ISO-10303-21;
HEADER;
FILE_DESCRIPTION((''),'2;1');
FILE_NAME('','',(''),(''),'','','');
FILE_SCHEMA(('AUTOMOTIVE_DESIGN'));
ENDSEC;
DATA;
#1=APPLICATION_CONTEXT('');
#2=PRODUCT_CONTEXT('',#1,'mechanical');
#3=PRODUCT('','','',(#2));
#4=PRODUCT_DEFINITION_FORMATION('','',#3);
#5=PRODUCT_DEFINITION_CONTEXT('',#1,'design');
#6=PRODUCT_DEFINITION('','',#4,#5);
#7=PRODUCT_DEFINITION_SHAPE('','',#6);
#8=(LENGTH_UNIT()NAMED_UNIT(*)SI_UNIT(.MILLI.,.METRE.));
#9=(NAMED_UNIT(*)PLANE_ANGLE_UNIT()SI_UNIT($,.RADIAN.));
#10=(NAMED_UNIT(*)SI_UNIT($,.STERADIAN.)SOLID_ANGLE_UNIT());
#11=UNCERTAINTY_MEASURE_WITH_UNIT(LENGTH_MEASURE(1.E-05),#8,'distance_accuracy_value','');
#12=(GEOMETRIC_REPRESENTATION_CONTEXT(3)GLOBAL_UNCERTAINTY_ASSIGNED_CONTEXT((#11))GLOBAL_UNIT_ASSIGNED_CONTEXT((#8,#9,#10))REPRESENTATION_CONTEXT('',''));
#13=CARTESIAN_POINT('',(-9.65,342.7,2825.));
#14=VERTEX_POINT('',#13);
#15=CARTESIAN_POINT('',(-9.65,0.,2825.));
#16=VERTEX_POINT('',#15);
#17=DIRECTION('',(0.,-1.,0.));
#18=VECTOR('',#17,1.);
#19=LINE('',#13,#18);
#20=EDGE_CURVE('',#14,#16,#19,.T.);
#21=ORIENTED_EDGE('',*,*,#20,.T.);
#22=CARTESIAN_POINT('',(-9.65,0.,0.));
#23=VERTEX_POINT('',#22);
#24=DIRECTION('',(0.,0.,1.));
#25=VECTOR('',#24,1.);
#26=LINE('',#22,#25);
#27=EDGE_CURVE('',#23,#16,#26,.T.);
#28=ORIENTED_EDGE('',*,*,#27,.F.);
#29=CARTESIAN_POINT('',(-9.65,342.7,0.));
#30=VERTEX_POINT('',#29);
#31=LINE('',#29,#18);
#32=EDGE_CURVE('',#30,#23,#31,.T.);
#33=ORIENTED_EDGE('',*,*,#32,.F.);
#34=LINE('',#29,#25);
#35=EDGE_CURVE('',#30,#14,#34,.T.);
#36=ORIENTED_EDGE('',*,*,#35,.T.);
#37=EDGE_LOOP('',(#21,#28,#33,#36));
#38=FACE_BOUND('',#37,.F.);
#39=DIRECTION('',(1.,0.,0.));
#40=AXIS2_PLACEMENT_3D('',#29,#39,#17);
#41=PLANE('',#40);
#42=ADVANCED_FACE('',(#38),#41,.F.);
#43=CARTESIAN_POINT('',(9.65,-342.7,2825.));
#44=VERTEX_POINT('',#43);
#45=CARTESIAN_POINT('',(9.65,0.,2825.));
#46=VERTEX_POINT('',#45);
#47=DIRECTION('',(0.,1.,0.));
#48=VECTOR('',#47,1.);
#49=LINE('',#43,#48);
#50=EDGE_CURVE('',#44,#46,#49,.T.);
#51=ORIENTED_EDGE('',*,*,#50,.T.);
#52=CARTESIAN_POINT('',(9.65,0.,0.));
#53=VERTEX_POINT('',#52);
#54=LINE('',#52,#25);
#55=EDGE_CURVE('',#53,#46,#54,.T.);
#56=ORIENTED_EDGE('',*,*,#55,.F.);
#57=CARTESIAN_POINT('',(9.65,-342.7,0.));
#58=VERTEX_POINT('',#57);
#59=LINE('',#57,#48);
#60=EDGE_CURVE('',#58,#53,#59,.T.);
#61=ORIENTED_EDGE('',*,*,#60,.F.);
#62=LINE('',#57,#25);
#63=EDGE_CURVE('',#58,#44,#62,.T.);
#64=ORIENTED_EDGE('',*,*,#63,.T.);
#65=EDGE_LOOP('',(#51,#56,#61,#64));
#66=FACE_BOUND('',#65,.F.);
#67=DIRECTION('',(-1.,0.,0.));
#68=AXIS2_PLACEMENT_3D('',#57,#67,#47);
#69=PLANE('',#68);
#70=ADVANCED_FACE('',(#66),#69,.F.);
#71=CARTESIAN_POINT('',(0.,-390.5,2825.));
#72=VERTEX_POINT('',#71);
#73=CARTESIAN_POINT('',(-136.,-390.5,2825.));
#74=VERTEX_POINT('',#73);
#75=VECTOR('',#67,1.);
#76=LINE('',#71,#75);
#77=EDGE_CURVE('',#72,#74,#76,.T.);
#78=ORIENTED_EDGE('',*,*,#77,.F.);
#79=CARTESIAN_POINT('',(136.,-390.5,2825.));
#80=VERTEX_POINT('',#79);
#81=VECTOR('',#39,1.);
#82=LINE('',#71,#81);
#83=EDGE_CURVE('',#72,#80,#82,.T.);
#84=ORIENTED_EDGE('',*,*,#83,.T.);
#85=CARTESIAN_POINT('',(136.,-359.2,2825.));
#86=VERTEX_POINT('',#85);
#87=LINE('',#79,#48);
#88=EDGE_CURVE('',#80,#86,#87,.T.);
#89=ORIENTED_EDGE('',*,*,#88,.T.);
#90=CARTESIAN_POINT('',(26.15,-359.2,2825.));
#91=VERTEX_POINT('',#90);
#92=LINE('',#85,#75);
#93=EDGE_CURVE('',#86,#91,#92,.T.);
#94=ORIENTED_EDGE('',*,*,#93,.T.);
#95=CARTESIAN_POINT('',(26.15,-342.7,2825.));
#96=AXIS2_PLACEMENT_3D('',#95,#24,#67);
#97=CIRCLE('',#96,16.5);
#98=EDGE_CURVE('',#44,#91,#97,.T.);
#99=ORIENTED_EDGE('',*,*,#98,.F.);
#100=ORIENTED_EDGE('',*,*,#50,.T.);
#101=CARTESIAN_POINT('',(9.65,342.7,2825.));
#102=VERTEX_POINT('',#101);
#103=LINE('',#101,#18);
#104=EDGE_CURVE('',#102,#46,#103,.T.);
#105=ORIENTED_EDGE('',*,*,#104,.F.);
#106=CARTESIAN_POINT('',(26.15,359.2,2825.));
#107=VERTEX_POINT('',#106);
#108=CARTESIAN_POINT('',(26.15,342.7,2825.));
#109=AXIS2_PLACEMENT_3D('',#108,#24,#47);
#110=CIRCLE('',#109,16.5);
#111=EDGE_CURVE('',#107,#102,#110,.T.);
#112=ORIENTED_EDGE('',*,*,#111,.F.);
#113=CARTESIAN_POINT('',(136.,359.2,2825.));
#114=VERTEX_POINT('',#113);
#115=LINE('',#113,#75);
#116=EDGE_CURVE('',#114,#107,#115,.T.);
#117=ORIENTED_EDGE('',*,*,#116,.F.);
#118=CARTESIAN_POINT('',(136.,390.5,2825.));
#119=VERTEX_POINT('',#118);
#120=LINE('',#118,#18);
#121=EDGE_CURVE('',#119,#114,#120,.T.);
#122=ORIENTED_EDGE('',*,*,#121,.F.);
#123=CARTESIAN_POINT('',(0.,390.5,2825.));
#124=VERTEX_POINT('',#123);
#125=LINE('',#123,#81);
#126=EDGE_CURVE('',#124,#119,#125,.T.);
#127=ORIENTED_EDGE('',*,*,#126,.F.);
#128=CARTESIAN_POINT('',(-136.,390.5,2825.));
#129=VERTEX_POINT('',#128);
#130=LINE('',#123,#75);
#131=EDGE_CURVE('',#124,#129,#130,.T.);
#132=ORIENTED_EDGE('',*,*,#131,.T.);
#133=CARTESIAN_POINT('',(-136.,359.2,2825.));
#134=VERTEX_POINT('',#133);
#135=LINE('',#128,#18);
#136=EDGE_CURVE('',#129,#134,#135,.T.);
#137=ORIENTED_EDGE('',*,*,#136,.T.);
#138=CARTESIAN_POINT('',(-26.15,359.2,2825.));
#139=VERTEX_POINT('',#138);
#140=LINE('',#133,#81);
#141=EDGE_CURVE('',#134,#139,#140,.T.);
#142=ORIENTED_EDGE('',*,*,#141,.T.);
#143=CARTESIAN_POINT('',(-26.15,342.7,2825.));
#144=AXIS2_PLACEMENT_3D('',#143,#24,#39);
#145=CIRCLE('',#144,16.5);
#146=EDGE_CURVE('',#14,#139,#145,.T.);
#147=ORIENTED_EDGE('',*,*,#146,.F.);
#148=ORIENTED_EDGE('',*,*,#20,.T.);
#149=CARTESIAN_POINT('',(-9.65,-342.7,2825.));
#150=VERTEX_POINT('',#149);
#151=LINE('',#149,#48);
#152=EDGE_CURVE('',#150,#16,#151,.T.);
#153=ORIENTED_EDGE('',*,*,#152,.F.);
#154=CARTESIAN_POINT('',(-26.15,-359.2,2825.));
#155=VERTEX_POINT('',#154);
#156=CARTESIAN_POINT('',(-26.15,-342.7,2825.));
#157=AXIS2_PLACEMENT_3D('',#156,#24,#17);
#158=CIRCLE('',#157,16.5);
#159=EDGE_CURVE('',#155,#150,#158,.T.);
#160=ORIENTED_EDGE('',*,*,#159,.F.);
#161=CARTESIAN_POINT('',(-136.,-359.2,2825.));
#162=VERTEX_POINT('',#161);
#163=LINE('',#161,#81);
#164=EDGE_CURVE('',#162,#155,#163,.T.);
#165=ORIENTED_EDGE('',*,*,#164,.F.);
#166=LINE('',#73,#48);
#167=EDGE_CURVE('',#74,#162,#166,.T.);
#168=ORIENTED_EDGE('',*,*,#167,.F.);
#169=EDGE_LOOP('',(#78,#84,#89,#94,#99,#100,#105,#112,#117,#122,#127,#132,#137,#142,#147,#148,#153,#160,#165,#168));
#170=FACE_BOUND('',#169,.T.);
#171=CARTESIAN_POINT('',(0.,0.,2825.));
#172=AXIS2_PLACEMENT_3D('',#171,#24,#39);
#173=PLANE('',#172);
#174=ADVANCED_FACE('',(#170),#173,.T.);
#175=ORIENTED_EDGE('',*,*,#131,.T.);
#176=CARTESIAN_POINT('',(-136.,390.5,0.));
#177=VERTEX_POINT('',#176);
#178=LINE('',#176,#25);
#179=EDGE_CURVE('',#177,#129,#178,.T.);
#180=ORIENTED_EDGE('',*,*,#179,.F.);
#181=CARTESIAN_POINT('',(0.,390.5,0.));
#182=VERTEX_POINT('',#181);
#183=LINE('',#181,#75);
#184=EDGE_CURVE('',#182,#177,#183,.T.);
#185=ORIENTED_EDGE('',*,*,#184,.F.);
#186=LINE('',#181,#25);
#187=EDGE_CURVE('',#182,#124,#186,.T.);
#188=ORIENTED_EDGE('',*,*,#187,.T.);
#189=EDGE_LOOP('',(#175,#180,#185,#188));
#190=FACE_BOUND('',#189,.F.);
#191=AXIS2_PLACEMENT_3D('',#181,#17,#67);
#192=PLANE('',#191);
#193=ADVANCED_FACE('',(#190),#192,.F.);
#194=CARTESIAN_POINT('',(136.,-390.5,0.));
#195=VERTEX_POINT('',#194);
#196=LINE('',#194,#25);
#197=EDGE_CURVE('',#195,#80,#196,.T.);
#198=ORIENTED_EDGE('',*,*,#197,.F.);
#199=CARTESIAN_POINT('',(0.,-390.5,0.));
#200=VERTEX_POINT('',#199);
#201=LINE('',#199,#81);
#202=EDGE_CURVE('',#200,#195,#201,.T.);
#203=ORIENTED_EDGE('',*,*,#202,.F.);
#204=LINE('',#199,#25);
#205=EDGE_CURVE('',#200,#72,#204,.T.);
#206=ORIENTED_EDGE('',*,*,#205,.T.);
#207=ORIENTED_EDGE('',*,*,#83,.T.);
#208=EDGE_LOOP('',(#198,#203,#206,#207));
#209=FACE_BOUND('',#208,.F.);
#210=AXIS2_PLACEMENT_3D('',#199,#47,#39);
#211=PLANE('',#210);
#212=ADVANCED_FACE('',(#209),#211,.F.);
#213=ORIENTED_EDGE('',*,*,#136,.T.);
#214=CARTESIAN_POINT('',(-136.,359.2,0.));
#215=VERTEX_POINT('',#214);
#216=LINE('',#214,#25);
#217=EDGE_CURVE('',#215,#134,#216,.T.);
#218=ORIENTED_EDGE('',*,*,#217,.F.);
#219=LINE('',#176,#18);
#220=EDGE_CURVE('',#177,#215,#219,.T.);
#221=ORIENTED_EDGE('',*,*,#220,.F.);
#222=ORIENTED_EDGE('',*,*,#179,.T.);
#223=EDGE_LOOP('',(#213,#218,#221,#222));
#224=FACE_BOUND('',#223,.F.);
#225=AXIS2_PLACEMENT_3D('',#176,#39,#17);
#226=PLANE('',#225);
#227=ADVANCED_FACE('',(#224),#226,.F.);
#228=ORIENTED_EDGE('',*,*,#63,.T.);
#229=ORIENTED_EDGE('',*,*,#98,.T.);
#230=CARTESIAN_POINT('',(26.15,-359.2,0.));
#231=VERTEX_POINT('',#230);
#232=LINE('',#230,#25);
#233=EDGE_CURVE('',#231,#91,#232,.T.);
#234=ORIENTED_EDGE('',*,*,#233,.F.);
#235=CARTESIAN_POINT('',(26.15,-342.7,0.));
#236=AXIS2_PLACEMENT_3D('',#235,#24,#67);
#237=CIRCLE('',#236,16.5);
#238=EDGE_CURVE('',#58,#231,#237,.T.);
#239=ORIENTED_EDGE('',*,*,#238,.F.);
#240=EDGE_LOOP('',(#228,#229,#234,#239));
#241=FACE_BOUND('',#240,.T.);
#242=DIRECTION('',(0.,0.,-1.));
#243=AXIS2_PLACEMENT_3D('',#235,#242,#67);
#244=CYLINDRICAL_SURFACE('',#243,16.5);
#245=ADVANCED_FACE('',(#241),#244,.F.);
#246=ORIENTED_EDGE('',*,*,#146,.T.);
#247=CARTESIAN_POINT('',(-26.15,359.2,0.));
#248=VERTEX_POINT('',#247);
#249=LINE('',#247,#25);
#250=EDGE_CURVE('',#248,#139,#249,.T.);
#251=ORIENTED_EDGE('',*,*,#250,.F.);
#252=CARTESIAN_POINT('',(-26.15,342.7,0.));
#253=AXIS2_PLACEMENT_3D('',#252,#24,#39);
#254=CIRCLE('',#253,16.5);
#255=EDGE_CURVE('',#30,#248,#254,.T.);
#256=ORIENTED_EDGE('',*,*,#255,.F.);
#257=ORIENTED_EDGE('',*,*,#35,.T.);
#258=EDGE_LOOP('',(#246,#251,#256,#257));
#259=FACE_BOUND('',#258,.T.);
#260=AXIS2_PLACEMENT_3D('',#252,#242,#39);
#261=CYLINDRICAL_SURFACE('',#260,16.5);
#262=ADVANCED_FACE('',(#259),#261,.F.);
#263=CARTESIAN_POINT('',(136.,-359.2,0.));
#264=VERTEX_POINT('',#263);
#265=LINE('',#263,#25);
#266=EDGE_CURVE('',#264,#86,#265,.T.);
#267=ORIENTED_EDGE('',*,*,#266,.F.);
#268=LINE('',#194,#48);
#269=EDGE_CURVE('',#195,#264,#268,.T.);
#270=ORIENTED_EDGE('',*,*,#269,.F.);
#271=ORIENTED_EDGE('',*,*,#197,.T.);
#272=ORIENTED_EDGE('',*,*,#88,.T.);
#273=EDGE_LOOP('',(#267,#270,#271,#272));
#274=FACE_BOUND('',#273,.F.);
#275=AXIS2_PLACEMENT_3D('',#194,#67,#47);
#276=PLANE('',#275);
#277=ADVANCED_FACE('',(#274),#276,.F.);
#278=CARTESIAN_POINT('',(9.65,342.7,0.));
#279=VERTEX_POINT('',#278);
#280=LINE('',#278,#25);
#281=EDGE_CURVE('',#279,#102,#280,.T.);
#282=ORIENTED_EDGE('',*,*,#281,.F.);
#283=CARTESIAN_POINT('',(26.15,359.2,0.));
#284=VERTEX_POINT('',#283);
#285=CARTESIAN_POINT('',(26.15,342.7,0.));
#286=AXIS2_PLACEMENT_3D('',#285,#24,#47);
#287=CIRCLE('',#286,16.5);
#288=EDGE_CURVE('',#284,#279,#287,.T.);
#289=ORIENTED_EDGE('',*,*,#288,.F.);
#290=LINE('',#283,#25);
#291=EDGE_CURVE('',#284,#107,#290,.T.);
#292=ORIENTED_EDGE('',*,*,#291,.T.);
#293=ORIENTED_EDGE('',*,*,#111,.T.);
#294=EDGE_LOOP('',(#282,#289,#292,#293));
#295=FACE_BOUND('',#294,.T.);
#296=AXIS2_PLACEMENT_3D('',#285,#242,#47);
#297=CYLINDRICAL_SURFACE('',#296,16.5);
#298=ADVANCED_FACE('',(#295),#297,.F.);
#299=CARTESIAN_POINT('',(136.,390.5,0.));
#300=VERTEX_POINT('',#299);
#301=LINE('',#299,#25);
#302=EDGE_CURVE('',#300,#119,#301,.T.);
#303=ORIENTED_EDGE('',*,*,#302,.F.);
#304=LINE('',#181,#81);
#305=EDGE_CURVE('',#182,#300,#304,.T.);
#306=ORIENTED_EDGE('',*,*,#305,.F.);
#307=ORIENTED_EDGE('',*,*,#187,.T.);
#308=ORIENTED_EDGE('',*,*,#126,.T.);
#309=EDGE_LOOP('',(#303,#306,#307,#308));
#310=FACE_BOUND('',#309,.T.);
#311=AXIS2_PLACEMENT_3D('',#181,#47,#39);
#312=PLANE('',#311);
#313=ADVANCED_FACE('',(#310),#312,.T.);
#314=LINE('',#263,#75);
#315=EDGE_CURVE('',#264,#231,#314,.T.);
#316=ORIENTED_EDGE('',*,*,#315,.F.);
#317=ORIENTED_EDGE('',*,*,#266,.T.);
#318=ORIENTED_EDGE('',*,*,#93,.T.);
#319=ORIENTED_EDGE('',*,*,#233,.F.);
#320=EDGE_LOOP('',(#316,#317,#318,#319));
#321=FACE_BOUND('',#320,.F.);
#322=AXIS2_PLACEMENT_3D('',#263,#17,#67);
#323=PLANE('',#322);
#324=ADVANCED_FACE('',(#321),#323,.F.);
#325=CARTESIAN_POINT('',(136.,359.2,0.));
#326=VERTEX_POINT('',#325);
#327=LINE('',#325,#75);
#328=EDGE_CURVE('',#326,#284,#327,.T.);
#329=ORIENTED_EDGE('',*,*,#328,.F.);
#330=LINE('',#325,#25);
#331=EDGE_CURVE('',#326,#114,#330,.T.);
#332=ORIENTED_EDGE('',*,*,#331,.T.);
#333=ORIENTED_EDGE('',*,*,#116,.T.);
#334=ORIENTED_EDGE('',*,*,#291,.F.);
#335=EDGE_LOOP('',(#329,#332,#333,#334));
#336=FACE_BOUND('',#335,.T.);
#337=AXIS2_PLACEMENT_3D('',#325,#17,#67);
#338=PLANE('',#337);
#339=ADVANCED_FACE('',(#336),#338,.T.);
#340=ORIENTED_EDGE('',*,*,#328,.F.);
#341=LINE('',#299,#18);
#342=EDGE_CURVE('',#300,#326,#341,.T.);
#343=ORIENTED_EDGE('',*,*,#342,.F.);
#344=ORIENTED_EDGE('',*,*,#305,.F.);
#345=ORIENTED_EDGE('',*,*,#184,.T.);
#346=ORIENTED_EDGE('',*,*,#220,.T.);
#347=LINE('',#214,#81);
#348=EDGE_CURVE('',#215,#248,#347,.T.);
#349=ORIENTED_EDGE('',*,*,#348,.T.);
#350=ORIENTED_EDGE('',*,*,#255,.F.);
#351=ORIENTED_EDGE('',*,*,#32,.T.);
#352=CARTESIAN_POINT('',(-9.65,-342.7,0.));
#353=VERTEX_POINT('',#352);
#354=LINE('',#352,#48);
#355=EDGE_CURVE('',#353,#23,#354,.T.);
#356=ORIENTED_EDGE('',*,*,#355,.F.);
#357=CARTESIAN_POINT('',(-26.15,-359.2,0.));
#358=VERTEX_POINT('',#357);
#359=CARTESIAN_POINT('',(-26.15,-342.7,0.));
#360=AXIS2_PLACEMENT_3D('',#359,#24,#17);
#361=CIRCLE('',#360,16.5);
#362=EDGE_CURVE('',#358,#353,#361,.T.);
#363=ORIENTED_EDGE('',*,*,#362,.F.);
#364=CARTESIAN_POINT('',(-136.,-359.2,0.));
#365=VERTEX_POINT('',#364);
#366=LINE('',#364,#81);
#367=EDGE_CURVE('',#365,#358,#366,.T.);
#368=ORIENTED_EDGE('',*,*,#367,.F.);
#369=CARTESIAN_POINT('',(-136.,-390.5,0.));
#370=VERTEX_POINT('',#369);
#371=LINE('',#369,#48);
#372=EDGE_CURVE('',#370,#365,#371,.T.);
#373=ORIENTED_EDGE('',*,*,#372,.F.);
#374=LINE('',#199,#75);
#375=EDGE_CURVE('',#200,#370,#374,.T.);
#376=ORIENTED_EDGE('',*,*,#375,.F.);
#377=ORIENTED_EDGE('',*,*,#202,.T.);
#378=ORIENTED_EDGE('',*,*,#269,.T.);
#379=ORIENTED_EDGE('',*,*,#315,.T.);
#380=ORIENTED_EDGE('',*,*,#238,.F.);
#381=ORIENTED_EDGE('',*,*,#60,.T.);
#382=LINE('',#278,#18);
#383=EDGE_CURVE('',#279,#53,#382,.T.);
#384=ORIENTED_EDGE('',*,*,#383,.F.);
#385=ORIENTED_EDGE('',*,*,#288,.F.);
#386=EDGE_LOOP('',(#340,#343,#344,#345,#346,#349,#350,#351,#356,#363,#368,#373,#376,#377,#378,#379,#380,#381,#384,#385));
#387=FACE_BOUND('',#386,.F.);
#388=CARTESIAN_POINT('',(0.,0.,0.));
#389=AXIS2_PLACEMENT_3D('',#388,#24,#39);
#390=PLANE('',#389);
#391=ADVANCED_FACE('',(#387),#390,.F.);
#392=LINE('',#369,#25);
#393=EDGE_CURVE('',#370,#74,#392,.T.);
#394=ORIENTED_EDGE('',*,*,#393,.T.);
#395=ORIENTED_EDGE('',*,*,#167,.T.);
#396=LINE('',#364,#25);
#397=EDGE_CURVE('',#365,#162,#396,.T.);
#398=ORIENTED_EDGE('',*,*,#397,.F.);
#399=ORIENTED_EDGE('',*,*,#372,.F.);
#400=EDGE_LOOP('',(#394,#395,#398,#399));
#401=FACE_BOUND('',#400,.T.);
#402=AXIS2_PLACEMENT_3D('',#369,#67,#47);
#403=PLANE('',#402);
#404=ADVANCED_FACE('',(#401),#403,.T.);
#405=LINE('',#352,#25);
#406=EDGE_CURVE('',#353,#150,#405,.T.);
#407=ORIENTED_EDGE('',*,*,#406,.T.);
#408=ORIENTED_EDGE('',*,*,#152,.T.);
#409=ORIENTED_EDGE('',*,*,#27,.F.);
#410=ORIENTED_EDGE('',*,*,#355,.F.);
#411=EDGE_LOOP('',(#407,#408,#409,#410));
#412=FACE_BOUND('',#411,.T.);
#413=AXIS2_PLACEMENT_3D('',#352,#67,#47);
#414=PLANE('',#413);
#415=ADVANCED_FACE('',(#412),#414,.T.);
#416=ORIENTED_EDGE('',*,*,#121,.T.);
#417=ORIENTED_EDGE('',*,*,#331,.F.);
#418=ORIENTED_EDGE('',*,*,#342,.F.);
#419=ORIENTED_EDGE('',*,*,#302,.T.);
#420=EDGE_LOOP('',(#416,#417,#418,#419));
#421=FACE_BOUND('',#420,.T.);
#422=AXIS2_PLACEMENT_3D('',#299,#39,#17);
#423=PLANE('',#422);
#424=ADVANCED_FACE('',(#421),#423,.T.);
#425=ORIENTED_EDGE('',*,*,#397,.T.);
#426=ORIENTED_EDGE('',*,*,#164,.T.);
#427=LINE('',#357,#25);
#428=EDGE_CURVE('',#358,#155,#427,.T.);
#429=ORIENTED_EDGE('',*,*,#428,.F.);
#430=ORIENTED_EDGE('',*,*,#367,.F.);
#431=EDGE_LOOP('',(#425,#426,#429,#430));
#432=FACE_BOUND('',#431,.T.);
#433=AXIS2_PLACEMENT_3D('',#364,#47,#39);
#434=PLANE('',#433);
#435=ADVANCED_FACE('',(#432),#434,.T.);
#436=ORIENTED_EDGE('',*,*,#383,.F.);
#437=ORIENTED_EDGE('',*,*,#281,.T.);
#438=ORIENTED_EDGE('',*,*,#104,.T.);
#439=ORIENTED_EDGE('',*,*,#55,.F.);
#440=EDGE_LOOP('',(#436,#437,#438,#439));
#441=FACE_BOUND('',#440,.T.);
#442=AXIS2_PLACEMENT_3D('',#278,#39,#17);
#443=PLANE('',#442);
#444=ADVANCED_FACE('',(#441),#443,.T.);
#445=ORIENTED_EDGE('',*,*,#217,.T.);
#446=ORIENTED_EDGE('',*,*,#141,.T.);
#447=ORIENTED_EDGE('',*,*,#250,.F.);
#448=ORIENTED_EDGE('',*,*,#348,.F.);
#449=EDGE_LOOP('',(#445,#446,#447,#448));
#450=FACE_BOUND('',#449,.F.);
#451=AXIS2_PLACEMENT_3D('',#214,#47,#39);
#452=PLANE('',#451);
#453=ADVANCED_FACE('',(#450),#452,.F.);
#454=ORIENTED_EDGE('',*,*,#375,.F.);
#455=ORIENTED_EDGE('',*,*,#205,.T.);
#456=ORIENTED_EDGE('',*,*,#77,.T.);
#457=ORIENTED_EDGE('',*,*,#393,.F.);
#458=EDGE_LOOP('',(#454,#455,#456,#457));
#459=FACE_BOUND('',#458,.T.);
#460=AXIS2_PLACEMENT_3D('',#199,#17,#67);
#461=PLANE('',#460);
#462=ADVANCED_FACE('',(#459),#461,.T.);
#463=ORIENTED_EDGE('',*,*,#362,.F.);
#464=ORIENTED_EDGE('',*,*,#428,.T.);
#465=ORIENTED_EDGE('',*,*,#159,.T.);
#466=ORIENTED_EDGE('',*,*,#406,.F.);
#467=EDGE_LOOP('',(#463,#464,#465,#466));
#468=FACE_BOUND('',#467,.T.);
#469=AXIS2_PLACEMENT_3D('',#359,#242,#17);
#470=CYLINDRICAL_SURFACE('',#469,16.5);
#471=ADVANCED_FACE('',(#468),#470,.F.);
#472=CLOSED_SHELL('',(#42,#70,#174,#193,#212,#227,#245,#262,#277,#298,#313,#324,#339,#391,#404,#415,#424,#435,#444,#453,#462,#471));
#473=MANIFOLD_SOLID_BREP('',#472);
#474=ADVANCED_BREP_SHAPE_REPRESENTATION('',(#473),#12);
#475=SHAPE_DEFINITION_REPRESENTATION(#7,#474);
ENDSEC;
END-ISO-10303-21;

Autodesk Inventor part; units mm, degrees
ref_plane "YZ Plane" through (0, 0, 0) normal (1, 0, 0) x (0, 1, 0)
ref_plane "Start plane" through (0, 0, 0) normal (0, 0, 1) x (1, 0, 0)
ref_plane "End plane" through (0, 0, 2825) normal (0, 0, 1) x (1, 0, 0)
sketch "Sketch" plane through (0, 0, 0) normal (0, 0, 1) x (1, 0, 0)
  line L0 (-136, -390.5) -> (-136, -359.2)
  line L1 (-136, -359.2) -> (-26.15, -359.2)
  line L2 (-9.65, -342.7) -> (-9.65, 0)
  line L3 (-9.65, 0) -> (0, 0) construction
  line L4 (0, 0) -> (0, -390.5) construction
  line L5 (0, -390.5) -> (-136, -390.5)
  line L6 (-60, 0) -> (80, 0) construction
  line L7 (0, -60) -> (0, 80) construction
  line L8 (136, -390.5) -> (136, -359.2)
  line L9 (136, -359.2) -> (26.15, -359.2)
  line L10 (9.65, -342.7) -> (9.65, 0)
  line L11 (9.65, 0) -> (0, 0) construction
  line L12 (0, -390.5) -> (136, -390.5)
  line L13 (-136, 390.5) -> (-136, 359.2)
  line L14 (-136, 359.2) -> (-26.15, 359.2)
  line L15 (-9.65, 342.7) -> (-9.65, 0)
  line L16 (0, 390.5) -> (-136, 390.5)
  line L17 (136, 390.5) -> (136, 359.2)
  line L18 (136, 359.2) -> (26.15, 359.2)
  line L19 (0, 390.5) -> (136, 390.5)
  line L20 (9.65, 342.7) -> (9.65, 0)
  arc A0 (-9.65, 342.7) -> (-26.15, 359.2) centre (-26.15, 342.7) ccw
  arc A1 (26.15, 359.2) -> (9.65, 342.7) centre (26.15, 342.7) ccw
  arc A2 (9.65, -342.7) -> (26.15, -359.2) centre (26.15, -342.7) ccw
  arc A3 (-26.15, -359.2) -> (-9.65, -342.7) centre (-26.15, -342.7) ccw
  line L21 (0, 108) -> (0, -88) construction
  line L22 (-88, 0) -> (108, 0) construction
  point P0 (-9.65, -359.2)
  point P1 (9.65, -359.2)
  point P2 (-9.65, 359.2)
  point P3 (9.65, 359.2)
  dimension "d1" = 390.5
  dimension "d2" = 31.3
  dimension "d3" = 136
  dimension "d4" = 9.65
  dimension "d10" = 16.5
extrude "Body" add sketch "Sketch" along normal up to surface (2825 mm away) from surface at 0
sketch "Sketch4" plane through (0, 0, 0) normal (0, 0, 1) x (1, 0, 0)
  line L0 (0, 0) -> (10, 0)
ref_plane "Work Plane3" through (0, 0, 0) normal (0, -1, 0) x (1, 0, 0)
sketch "Sketch5" plane through (0, 0, 0) normal (0, -1, 0) x (1, 0, 0)
  line L0 (-2, 0) -> (12, 0) projected
  line L1 (-2, 2825) -> (12, 2825) projected
  dimension "d14" = 2825
equation "\"d1\" = 0.5 * G_H"
equation "\"d2\" = G_T1"
equation "\"d3\" = 0.5 * G_W"
equation "\"d4\" = 0.5 * G_T"
equation "\"d10\" = G_IR"
equation "\"d5\" = G_L"
equation "\"G_W\" = 272"
equation "\"G_H\" = 781"
equation "\"G_T\" = 19.3"
equation "\"G_T1\" = 31.3"
equation "\"G_IR\" = 16.5"
equation "\"G_L\" = d14"
equation "\"G_OFFSET_START\" = 0"
equation "\"G_OFFSET_END\" = 0"
equation "\"d12\" = G_OFFSET_END + B_L"
equation "\"B_L\" = 2825"
properties part number "AS 3679-1990 - 760 UB - 244 - 2825" material "Steel, Mild"
